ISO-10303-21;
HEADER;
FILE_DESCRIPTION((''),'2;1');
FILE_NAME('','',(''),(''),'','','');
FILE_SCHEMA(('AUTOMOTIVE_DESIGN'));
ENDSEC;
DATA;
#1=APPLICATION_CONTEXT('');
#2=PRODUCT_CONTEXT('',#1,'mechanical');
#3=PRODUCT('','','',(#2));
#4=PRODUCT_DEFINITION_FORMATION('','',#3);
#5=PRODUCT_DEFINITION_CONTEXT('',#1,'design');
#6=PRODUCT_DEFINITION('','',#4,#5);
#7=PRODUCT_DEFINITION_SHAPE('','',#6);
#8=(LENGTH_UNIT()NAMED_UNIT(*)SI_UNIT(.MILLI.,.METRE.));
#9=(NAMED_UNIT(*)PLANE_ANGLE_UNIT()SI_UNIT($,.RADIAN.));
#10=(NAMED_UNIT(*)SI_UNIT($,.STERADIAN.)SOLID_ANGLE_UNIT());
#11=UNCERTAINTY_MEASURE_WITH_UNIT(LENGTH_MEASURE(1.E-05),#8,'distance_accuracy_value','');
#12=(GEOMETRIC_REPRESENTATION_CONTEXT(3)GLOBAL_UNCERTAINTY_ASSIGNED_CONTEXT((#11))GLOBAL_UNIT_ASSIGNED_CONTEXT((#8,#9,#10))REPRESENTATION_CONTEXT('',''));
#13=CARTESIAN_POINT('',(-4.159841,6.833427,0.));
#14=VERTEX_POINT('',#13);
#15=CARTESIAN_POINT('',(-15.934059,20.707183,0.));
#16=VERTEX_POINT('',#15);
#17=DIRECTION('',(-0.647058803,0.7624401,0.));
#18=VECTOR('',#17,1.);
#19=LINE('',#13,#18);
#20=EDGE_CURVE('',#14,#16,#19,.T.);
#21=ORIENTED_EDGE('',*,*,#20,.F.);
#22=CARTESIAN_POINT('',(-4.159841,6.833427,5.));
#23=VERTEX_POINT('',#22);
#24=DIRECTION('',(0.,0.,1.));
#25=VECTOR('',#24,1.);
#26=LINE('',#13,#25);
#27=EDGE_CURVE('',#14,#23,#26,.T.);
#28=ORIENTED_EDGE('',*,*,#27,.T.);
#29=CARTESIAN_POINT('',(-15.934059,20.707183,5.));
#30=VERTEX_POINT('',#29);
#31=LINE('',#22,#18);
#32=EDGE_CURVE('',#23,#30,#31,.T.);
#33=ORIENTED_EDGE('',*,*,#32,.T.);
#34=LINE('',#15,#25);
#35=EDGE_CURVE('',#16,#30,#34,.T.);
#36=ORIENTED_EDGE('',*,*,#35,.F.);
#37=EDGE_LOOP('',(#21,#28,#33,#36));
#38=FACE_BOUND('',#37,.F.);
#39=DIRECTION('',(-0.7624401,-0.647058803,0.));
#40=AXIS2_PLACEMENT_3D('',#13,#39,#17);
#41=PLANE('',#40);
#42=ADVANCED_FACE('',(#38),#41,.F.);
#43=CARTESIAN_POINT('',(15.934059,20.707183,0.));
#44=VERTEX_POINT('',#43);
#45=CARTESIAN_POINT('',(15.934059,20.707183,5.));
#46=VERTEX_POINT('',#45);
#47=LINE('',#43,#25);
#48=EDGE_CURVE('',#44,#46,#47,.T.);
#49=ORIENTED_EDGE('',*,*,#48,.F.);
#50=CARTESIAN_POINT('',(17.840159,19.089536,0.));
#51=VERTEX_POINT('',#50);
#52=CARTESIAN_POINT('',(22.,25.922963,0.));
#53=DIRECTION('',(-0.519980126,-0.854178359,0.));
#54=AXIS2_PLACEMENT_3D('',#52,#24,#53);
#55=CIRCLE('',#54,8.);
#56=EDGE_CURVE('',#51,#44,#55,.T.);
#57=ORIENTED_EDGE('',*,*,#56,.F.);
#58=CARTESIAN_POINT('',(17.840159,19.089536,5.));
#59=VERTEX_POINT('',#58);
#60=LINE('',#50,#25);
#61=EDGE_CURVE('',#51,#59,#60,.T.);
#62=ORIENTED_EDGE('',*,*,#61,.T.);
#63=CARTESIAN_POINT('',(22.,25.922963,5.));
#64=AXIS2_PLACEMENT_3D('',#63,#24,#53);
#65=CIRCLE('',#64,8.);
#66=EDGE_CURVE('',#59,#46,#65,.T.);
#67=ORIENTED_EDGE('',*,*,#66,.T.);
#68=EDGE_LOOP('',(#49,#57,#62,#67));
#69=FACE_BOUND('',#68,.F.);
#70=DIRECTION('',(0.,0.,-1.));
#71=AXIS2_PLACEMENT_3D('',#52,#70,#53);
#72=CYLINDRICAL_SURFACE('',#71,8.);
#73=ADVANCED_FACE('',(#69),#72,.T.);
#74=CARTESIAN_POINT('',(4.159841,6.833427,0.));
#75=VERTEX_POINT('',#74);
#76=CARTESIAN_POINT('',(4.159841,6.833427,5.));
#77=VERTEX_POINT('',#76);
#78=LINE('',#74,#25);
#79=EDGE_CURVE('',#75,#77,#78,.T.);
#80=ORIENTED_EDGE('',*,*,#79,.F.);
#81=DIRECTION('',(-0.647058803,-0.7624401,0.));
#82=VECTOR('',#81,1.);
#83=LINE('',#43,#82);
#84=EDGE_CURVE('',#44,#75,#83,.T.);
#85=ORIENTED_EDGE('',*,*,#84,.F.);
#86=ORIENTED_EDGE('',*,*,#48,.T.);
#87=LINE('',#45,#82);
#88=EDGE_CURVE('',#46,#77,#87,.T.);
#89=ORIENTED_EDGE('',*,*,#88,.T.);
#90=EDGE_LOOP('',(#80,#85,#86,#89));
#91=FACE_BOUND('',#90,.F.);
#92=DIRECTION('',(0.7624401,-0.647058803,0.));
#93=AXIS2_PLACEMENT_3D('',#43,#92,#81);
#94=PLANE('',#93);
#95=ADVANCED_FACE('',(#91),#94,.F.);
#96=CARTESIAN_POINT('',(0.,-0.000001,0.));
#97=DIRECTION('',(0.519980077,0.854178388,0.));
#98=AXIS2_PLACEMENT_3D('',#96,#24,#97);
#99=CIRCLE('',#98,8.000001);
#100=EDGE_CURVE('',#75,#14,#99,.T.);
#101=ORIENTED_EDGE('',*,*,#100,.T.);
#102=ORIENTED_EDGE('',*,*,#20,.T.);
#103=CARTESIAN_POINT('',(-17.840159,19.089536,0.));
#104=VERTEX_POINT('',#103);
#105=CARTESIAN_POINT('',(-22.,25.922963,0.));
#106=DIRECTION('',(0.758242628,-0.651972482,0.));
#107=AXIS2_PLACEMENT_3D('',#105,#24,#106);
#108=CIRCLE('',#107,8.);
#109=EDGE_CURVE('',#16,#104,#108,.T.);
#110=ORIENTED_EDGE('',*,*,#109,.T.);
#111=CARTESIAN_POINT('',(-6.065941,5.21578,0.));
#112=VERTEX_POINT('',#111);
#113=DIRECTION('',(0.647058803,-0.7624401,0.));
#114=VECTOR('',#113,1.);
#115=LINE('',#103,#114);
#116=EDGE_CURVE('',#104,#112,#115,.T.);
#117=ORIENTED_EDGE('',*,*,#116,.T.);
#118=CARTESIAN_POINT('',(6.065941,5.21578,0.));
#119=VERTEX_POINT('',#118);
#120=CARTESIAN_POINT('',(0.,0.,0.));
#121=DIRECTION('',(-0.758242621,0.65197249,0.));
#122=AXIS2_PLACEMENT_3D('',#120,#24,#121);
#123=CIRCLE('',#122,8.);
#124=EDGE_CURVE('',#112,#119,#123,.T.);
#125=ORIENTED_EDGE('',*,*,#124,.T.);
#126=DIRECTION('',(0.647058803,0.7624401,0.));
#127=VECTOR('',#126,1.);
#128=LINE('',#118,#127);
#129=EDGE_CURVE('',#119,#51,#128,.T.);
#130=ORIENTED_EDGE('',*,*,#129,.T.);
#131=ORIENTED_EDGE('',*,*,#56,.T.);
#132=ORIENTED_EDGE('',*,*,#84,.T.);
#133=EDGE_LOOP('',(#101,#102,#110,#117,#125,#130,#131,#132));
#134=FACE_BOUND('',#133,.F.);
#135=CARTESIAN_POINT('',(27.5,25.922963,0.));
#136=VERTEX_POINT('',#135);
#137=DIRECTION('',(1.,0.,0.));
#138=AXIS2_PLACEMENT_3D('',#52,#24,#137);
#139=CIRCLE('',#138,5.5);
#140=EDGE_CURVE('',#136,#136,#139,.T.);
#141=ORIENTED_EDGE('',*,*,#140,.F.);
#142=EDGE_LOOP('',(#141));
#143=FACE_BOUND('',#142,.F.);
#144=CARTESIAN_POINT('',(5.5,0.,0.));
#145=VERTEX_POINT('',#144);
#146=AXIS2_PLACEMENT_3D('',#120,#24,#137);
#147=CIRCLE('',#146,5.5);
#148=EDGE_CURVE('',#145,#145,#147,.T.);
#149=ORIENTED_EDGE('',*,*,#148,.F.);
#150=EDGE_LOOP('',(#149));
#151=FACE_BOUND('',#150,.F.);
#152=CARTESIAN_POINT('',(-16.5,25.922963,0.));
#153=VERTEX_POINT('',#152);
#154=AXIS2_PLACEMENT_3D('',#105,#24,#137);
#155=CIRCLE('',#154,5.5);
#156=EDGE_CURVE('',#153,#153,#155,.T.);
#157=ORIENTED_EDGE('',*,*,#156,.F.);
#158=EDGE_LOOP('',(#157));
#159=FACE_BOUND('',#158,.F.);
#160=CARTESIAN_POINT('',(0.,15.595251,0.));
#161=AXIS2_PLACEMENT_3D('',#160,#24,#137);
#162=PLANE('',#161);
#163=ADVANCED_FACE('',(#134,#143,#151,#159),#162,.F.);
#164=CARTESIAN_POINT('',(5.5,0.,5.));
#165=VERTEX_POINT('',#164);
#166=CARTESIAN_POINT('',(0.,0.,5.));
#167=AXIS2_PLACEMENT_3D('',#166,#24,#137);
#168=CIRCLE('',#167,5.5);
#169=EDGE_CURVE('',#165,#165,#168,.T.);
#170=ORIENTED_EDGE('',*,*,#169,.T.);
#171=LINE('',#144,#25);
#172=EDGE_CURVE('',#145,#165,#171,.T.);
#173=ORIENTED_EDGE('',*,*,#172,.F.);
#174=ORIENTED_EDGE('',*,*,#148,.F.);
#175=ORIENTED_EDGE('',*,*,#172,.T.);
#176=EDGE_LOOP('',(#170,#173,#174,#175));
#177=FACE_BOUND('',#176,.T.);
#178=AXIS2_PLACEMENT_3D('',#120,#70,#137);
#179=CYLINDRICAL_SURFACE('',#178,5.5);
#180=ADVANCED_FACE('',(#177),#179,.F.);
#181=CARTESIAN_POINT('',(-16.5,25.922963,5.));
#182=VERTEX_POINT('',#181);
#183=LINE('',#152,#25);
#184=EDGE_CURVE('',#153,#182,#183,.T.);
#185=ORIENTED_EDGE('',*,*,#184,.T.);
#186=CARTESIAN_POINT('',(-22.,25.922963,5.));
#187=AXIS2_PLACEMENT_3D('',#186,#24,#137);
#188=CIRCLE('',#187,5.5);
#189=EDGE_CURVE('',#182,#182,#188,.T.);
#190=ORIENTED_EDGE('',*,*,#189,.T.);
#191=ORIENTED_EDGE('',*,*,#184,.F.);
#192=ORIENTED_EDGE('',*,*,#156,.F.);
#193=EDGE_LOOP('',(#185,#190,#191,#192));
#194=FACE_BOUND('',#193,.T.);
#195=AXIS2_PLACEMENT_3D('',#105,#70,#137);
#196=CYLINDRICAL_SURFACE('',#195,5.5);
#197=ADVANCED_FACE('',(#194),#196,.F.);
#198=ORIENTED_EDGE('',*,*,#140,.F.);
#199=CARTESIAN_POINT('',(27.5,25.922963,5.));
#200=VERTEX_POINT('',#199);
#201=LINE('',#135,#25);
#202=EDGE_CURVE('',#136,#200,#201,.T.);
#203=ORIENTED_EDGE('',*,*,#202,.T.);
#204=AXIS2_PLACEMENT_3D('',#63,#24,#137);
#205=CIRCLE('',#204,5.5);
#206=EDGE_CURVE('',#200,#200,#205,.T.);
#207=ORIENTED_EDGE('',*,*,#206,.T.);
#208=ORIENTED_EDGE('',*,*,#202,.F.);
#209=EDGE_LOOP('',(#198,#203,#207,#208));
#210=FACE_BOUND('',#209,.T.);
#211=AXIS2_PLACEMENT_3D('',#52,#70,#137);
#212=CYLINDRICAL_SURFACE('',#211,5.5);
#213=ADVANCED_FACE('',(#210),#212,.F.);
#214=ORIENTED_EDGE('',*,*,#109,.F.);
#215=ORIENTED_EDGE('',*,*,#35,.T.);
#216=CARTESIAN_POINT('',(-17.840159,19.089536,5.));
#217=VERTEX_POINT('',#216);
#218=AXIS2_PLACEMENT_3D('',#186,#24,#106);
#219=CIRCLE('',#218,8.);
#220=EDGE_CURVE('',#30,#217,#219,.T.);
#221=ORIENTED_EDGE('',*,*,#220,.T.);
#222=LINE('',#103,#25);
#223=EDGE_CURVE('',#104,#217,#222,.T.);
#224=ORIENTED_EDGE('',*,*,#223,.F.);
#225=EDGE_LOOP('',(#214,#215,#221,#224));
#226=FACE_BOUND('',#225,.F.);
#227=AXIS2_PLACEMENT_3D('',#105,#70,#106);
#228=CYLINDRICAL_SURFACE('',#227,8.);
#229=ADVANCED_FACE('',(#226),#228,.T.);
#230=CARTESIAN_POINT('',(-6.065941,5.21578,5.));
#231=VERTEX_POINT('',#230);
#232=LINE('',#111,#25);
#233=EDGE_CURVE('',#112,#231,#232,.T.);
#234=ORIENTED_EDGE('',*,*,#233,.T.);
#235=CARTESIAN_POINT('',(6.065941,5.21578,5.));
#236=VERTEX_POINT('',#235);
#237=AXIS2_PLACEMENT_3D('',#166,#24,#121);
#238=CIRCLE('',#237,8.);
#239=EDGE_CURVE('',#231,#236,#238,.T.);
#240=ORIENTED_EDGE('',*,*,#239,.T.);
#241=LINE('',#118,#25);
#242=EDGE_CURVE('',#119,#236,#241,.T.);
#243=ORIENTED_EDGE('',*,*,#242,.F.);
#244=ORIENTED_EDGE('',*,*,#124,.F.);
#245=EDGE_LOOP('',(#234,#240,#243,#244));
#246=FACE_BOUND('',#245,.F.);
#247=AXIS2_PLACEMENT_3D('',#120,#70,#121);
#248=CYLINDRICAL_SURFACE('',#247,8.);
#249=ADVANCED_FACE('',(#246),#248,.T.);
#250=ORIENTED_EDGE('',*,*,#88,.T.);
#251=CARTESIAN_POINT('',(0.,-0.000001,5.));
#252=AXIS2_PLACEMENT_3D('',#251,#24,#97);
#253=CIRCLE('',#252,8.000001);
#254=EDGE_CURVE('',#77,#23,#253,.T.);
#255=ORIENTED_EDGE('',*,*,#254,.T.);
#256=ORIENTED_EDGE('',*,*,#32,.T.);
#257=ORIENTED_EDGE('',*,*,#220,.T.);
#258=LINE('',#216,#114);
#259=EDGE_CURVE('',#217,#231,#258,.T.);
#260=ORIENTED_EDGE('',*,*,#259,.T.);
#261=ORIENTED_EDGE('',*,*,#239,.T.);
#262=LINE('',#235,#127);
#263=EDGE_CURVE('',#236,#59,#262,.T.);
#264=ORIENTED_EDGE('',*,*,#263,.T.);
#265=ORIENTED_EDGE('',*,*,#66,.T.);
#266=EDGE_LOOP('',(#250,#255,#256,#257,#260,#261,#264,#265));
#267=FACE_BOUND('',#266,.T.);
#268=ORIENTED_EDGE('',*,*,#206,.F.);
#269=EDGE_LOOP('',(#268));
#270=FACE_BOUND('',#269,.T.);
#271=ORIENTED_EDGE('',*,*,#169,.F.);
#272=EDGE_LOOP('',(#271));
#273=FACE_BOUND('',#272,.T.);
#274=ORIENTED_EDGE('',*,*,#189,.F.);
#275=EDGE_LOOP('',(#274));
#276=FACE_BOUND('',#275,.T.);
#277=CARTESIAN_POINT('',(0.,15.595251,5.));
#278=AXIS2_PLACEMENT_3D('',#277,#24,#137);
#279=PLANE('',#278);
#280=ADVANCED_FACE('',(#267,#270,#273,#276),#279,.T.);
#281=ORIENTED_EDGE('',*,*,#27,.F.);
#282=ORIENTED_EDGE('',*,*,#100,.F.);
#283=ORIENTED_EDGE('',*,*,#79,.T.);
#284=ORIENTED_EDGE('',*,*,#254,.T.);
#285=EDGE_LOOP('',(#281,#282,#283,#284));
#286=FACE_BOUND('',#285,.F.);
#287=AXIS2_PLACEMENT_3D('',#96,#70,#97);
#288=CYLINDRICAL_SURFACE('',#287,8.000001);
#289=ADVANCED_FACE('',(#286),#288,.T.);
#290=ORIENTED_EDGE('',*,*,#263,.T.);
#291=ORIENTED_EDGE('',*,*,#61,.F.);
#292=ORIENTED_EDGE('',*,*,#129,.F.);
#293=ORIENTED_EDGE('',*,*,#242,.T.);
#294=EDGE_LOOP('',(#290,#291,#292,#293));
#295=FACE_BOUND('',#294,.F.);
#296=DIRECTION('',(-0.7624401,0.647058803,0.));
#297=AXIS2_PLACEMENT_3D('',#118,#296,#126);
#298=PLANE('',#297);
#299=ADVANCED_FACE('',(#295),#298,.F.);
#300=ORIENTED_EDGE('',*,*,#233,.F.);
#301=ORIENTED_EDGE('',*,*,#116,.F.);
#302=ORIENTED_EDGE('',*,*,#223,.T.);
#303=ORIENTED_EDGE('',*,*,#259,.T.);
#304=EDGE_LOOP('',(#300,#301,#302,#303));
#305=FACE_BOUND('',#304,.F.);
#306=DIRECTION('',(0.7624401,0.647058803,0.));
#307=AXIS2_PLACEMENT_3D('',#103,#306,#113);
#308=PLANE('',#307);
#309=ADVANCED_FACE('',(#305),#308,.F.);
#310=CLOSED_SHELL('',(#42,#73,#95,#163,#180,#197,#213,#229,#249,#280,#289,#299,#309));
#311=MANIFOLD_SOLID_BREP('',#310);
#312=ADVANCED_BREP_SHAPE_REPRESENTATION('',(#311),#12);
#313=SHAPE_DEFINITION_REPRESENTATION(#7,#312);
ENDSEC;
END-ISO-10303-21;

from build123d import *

# Parameters (mm, degrees)
F0_R     = 5.5
F1_DEPTH = 5


with BuildPart() as f1:
    # F0 (on Top) → F1 (new body)
    with BuildSketch(Plane.XY):
        with BuildLine():
            Line((-17.840159, 19.089536), (-6.065941, 5.21578))
            ThreePointArc((-6.065941, 5.21578), (0, -8), (6.065941, 5.21578))
            Line((6.065941, 5.21578), (17.840159, 19.089536))
            ThreePointArc((17.840159, 19.089536), (27.176471, 32.022483), (15.934059, 20.707183))
            Line((15.934059, 20.707183), (4.159841, 6.833427))
            ThreePointArc((4.159841, 6.833427), (0, 8), (-4.159841, 6.833427))
            Line((-4.159841, 6.833427), (-15.934059, 20.707183))
            ThreePointArc((-15.934059, 20.707183), (-27.176471, 32.022483), (-17.840159, 19.089536))
        make_face()
        Circle(F0_R, mode=Mode.SUBTRACT)
        with Locations((-22, 25.922963)):
            Circle(F0_R, mode=Mode.SUBTRACT)
        with Locations((22, 25.922963)):
            Circle(F0_R, mode=Mode.SUBTRACT)
    extrude(amount=F1_DEPTH)


solid = f1.part
